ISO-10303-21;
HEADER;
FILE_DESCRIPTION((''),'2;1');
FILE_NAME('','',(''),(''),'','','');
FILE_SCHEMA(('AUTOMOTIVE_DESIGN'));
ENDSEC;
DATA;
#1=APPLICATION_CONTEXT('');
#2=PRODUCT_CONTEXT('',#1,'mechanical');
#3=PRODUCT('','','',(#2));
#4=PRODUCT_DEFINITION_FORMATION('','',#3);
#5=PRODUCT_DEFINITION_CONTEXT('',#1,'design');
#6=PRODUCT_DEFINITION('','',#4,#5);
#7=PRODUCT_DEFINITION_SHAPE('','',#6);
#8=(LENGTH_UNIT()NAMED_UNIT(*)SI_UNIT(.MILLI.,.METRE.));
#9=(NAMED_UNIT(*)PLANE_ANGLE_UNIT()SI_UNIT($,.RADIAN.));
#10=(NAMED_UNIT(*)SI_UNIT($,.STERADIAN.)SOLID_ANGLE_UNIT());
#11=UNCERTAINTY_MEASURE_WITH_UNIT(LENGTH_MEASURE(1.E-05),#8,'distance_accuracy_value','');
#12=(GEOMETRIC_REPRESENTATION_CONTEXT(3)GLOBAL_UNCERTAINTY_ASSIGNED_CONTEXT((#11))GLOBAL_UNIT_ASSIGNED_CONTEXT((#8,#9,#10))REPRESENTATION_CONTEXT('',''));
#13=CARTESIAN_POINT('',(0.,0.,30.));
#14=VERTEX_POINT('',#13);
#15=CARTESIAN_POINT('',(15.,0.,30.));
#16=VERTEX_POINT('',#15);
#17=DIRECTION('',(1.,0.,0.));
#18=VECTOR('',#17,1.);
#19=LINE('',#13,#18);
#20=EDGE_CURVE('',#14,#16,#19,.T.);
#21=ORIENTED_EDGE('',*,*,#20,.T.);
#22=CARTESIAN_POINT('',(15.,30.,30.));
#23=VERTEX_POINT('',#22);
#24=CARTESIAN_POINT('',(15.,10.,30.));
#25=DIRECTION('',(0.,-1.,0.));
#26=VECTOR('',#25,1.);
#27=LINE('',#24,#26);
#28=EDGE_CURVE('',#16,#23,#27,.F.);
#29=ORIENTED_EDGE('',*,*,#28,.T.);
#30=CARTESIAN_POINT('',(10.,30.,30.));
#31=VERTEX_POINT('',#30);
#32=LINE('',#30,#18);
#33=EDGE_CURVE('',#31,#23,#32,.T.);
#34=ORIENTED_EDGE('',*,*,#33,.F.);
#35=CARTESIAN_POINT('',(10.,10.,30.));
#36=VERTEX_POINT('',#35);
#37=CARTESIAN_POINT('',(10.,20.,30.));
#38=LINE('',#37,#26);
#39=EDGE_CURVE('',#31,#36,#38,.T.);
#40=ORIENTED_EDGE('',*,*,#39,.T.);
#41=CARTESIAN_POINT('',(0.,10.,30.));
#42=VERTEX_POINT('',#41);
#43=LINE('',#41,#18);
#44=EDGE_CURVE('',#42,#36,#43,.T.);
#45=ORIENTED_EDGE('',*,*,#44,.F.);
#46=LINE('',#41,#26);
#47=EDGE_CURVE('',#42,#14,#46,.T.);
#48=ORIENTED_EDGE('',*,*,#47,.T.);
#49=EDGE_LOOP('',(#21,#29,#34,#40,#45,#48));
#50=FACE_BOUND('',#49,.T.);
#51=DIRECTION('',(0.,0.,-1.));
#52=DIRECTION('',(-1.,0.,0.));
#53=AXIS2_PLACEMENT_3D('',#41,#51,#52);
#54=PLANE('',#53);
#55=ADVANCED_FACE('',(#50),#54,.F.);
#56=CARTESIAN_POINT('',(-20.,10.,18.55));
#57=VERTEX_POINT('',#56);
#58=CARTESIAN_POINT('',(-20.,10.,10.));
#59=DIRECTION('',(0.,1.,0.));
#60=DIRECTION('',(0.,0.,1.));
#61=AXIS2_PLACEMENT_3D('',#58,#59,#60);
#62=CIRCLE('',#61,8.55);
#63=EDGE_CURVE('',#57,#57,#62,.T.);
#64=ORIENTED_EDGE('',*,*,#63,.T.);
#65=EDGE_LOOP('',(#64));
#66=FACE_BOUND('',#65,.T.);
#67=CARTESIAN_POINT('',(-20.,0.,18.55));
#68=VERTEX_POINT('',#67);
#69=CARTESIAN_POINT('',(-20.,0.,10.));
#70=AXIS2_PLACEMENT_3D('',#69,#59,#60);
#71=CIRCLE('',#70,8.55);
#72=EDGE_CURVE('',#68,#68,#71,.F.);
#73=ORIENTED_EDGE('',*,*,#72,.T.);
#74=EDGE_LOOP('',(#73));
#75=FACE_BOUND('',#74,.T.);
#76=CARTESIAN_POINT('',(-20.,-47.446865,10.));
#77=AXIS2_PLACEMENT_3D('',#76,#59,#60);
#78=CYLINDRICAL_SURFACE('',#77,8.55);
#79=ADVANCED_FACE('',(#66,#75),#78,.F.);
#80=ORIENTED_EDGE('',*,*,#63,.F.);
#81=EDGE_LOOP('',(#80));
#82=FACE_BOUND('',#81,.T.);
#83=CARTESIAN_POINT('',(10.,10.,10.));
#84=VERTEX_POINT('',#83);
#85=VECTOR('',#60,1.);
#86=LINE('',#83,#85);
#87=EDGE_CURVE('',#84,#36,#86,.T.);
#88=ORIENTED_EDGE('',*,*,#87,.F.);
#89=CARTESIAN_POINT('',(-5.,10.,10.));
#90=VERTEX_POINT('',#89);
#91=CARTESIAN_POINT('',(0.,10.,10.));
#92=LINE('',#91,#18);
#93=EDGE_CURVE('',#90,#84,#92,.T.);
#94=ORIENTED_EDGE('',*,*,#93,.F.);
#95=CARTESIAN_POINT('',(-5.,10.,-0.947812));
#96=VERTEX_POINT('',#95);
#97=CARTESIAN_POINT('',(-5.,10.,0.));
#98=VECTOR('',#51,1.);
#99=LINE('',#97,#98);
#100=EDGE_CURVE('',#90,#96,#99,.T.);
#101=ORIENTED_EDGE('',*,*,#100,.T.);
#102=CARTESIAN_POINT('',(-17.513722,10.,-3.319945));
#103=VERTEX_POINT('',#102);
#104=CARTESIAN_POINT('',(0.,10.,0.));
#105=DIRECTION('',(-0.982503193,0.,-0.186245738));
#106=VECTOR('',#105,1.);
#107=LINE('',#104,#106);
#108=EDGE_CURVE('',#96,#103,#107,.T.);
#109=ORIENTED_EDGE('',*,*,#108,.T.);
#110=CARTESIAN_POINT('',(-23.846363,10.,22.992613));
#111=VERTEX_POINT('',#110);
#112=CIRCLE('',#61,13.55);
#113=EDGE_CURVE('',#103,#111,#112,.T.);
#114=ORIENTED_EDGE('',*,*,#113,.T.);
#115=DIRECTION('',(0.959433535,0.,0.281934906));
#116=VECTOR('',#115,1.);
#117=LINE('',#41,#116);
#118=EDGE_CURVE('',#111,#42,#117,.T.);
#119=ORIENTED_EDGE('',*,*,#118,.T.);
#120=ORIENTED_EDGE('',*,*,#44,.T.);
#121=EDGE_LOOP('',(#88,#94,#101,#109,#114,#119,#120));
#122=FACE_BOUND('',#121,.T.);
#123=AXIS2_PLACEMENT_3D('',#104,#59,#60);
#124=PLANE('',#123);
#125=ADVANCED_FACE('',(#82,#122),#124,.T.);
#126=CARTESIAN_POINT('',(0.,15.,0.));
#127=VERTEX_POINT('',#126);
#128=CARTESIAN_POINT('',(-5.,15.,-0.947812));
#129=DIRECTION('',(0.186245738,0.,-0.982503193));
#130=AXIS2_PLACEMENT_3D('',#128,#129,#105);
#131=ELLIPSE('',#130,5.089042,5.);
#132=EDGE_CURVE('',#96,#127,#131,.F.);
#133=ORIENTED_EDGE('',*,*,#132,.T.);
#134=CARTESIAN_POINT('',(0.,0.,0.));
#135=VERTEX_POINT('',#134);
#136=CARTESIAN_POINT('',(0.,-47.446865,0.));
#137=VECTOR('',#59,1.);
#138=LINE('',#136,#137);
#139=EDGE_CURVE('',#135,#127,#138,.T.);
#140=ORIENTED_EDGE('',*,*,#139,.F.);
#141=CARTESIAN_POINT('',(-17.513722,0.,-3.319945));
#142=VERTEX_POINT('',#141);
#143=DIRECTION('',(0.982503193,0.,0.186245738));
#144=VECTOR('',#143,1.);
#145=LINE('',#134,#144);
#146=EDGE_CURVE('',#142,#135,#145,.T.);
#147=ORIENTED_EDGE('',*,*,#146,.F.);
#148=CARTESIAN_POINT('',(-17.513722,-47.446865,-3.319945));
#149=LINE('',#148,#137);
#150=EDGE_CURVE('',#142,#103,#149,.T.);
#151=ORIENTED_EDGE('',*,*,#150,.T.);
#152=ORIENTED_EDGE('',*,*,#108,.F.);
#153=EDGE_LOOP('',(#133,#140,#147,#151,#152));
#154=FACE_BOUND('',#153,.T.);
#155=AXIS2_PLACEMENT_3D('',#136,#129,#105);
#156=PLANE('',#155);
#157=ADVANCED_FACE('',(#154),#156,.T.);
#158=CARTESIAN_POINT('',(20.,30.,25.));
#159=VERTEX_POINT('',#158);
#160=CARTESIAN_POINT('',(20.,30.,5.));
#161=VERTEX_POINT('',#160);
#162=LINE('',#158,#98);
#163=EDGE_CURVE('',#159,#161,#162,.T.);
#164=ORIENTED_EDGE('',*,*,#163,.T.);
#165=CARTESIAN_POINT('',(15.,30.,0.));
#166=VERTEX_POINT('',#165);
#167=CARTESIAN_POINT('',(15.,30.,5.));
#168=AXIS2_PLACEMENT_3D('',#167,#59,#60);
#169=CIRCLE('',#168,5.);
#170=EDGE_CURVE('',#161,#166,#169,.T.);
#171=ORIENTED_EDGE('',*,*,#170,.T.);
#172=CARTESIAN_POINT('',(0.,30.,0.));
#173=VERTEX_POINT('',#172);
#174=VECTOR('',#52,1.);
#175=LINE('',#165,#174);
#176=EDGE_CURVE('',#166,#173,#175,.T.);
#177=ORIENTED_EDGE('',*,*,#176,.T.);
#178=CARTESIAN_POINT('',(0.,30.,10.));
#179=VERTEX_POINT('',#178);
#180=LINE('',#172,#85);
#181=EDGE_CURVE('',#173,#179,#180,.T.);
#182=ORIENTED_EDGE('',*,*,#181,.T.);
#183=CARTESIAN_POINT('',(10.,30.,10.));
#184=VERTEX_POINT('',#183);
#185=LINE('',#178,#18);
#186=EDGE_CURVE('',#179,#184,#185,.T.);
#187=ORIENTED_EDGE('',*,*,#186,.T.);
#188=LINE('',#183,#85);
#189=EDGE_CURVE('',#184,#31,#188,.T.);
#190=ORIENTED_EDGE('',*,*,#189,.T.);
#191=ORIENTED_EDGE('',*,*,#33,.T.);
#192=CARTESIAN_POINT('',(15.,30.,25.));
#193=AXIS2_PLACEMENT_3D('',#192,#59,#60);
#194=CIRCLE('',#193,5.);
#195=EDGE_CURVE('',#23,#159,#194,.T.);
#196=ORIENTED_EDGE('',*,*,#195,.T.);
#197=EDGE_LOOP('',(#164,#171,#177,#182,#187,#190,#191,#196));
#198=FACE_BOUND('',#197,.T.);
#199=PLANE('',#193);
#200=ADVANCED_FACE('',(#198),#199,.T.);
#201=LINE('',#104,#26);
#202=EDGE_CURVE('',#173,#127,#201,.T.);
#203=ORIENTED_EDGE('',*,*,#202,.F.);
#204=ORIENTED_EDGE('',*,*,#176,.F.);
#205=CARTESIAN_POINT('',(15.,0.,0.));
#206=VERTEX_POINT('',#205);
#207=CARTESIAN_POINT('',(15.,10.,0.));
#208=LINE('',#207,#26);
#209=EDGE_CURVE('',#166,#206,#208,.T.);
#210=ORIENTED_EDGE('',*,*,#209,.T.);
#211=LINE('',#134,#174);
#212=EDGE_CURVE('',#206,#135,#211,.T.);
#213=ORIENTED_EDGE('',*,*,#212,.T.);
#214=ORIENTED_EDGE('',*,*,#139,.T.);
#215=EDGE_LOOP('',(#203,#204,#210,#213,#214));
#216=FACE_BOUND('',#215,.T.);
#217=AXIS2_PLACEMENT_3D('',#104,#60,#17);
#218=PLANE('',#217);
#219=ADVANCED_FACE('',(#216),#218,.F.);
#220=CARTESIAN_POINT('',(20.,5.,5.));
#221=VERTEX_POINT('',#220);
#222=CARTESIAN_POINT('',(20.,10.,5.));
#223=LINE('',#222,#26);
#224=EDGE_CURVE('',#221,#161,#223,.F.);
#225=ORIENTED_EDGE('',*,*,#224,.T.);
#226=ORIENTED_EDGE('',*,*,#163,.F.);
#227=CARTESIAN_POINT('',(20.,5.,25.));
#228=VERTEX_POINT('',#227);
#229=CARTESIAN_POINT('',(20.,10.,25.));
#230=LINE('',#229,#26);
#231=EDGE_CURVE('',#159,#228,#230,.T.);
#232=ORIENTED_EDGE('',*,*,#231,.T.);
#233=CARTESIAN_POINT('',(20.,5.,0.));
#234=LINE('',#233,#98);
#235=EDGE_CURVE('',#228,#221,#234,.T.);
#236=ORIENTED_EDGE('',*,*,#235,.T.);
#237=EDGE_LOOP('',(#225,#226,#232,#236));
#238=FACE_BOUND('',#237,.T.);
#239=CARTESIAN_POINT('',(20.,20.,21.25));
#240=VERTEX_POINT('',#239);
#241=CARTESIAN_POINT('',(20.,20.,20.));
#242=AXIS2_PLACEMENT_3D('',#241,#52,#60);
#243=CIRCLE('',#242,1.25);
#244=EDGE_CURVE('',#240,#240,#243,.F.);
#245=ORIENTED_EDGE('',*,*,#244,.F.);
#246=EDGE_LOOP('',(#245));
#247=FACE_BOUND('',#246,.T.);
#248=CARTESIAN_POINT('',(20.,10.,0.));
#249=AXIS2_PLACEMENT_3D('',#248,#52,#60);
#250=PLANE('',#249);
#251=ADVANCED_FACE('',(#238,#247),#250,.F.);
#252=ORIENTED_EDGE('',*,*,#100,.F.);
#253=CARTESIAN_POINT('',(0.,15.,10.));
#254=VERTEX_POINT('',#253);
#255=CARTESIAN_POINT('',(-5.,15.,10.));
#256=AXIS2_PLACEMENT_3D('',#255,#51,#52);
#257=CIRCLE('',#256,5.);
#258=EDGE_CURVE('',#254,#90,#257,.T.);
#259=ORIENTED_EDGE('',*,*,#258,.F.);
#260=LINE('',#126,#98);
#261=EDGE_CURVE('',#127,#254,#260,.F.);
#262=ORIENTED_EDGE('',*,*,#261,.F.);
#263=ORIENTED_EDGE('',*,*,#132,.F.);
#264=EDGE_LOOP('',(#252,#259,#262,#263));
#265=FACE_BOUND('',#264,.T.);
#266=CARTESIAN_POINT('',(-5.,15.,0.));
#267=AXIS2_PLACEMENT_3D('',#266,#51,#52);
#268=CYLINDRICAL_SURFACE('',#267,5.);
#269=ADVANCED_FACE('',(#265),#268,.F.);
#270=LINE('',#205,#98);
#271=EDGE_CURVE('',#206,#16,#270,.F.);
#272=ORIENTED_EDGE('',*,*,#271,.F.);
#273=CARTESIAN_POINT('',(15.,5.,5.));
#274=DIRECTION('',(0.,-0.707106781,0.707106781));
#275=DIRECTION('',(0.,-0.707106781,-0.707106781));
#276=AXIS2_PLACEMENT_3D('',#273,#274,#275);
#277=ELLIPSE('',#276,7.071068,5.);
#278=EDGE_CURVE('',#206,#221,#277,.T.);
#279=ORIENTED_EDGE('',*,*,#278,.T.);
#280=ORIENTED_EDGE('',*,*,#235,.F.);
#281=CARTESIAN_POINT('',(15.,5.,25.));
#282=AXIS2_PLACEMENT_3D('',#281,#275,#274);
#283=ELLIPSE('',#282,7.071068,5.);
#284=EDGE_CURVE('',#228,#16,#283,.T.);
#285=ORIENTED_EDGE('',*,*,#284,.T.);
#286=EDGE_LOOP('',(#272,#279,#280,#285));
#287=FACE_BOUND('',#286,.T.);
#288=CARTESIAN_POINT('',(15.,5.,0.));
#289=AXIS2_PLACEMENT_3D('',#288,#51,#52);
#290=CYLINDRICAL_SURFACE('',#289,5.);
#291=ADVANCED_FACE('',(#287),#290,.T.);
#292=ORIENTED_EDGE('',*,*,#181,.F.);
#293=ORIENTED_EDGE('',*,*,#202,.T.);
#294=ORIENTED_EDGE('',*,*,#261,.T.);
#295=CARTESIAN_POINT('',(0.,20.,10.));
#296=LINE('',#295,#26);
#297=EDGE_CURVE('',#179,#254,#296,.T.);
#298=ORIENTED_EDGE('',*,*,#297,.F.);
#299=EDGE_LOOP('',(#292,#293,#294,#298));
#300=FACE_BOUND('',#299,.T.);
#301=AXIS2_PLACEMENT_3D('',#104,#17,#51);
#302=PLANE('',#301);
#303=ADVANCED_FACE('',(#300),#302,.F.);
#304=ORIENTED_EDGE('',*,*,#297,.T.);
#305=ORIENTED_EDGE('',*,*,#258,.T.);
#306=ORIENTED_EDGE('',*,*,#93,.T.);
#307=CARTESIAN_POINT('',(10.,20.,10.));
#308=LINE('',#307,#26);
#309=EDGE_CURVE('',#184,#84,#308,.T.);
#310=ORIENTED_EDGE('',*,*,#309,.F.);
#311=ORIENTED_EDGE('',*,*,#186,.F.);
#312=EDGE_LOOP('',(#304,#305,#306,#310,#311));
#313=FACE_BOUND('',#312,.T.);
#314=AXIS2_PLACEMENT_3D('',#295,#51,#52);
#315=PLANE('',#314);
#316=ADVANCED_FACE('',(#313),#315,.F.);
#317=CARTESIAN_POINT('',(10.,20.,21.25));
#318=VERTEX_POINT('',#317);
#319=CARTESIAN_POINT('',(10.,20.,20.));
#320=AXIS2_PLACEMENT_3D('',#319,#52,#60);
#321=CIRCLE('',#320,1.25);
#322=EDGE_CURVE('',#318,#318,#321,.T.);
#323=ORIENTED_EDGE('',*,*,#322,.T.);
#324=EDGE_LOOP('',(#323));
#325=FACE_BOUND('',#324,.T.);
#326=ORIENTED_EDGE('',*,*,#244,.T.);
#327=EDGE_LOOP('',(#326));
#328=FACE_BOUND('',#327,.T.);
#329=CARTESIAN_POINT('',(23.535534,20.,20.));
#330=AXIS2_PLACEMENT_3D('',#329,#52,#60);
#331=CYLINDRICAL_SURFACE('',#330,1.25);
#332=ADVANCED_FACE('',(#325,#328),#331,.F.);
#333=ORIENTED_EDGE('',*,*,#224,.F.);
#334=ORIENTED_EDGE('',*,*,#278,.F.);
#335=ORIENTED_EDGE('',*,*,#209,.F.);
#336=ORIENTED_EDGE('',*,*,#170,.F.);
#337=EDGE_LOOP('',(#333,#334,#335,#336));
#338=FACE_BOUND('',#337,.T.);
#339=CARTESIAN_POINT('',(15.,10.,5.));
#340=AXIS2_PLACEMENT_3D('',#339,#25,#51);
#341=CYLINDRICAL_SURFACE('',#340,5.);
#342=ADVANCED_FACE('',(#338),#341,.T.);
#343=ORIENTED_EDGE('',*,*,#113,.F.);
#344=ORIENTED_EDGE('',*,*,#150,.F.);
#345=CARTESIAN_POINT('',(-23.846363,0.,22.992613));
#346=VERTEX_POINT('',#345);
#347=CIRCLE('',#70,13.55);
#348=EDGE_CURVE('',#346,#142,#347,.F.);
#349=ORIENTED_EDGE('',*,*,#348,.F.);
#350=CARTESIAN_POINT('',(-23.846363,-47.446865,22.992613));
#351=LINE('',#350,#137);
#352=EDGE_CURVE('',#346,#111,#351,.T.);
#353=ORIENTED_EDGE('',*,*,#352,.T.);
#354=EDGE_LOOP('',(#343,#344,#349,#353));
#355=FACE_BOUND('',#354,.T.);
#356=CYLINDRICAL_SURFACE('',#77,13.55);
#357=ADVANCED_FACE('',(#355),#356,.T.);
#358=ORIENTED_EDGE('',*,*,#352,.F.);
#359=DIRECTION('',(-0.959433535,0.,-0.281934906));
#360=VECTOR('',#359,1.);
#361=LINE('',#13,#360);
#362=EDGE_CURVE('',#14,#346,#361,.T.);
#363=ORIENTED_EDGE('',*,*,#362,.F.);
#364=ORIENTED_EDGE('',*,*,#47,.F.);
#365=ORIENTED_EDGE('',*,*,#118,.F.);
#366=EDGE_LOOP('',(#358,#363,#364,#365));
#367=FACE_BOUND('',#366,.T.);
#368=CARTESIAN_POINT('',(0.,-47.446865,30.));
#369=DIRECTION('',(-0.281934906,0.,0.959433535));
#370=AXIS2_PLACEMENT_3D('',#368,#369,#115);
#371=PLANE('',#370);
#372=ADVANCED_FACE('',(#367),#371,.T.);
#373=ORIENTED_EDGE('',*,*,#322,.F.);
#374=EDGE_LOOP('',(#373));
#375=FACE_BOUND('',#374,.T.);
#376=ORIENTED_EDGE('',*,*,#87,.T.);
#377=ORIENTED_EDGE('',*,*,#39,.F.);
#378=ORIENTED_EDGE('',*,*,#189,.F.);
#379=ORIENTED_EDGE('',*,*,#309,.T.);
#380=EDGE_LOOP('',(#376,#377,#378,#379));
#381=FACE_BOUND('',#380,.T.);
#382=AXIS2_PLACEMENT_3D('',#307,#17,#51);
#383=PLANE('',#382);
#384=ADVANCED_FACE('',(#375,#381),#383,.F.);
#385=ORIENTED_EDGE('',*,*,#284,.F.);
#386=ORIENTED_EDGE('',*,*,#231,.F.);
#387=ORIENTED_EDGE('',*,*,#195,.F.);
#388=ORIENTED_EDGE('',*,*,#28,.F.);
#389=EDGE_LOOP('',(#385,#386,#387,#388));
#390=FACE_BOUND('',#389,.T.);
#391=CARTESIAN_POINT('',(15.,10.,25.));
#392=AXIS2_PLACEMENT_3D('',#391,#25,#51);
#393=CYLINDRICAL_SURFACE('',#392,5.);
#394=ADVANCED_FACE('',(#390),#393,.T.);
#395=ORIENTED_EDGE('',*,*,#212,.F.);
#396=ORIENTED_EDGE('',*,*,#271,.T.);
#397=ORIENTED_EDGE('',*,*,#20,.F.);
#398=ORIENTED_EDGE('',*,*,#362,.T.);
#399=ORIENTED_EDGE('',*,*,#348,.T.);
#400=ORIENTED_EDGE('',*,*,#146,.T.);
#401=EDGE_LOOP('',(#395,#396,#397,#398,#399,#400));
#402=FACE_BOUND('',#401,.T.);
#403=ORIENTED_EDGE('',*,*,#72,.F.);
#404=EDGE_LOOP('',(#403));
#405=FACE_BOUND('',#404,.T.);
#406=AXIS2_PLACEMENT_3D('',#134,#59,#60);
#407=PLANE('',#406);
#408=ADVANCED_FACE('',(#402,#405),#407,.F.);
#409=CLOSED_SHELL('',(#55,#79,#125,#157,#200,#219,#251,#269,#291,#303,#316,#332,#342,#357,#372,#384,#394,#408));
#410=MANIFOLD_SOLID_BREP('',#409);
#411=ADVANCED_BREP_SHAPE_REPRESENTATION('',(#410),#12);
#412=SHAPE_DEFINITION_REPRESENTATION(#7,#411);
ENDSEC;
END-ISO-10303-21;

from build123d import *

# Parameters (mm, degrees)
SKETCH1_W           = 20
SKETCH1_H           = 30
BOSS_EXTRUDE1_DEPTH = 10
BOSS_EXTRUDE2_DEPTH = 10
SKETCH4_R           = 8.55
BOSS_EXTRUDE3_DEPTH = 10
FILLET1_R           = 5
BOSS_EXTRUDE4_DEPTH = 10
SKETCH6_R           = 1.25
CUT_EXTRUDE1_DEPTH  = 10


with BuildPart() as part:
    # Sketch1 → Boss-Extrude1 (new body)
    with BuildSketch(Plane(origin=(0, 0, 0), x_dir=(1, 0, 0), z_dir=(0, 1, 0))):
        with Locations((10, -15)):
            Rectangle(SKETCH1_W, SKETCH1_H)
    extrude(amount=BOSS_EXTRUDE1_DEPTH)

    # Sketch2 → Boss-Extrude2 (add)
    with BuildSketch(Plane(origin=(0, 10, 0), x_dir=(1, 0, 0), z_dir=(0, 1, 0))):
        Polygon((0, 0), (0, -10), (10, -10), (10, -30), (20, -30), (20, 0), align=None)
    extrude(amount=BOSS_EXTRUDE2_DEPTH)

    # Sketch4 → Boss-Extrude3 (add)
    with BuildSketch(Plane(origin=(0, 10, 0), x_dir=(1, 0, 0), z_dir=(0, 1, 0))):
        with BuildLine():
            Line((0, 0), (-17.51372228, 3.319944561))
            ThreePointArc((-17.51372228, 3.319944561), (-33.173842605, -6.829452566), (-23.846362973, -22.992612973))
            Line((-23.846362973, -22.992612973), (0, -30))
            Line((0, -30), (0, 0))
        make_face()
        with Locations(Location((-20, -10, 0), (0, 0, 270))):
            Circle(SKETCH4_R, mode=Mode.SUBTRACT)
    extrude(amount=-BOSS_EXTRUDE3_DEPTH)

    # Fillet1
    fillet1_edges = [part.edges().sort_by_distance(p)[0] for p in [
        (0, 10, 5),
        (20, 0, 15),
        (20, 10, 0),
        (20, 10, 30),
    ]]
    fillet(fillet1_edges, radius=FILLET1_R)

    # Sketch5 → Boss-Extrude4 (add)
    with BuildSketch(Plane(origin=(0, 20, 0), x_dir=(1, 0, 0), z_dir=(0, 1, 0))):
        with BuildLine():
            Line((10, -30), (15, -30))
            ThreePointArc((15, -30), (18.535533906, -28.535533906), (20, -25))
            Line((20, -25), (20, -5))
            ThreePointArc((20, -5), (18.535533906, -1.464466094), (15, 0))
            Line((15, 0), (0, 0))
            Line((0, 0), (0, -10))
            Line((0, -10), (10, -10))
            Line((10, -10), (10, -30))
        make_face()
    extrude(amount=BOSS_EXTRUDE4_DEPTH)

    # Sketch6 → Cut-Extrude1 (cut)
    with BuildSketch(Plane.ZY.offset(-10)):
        with Locations((20, 20)):
            Circle(SKETCH6_R)
    extrude(amount=-CUT_EXTRUDE1_DEPTH, mode=Mode.SUBTRACT)


solid = part.part
